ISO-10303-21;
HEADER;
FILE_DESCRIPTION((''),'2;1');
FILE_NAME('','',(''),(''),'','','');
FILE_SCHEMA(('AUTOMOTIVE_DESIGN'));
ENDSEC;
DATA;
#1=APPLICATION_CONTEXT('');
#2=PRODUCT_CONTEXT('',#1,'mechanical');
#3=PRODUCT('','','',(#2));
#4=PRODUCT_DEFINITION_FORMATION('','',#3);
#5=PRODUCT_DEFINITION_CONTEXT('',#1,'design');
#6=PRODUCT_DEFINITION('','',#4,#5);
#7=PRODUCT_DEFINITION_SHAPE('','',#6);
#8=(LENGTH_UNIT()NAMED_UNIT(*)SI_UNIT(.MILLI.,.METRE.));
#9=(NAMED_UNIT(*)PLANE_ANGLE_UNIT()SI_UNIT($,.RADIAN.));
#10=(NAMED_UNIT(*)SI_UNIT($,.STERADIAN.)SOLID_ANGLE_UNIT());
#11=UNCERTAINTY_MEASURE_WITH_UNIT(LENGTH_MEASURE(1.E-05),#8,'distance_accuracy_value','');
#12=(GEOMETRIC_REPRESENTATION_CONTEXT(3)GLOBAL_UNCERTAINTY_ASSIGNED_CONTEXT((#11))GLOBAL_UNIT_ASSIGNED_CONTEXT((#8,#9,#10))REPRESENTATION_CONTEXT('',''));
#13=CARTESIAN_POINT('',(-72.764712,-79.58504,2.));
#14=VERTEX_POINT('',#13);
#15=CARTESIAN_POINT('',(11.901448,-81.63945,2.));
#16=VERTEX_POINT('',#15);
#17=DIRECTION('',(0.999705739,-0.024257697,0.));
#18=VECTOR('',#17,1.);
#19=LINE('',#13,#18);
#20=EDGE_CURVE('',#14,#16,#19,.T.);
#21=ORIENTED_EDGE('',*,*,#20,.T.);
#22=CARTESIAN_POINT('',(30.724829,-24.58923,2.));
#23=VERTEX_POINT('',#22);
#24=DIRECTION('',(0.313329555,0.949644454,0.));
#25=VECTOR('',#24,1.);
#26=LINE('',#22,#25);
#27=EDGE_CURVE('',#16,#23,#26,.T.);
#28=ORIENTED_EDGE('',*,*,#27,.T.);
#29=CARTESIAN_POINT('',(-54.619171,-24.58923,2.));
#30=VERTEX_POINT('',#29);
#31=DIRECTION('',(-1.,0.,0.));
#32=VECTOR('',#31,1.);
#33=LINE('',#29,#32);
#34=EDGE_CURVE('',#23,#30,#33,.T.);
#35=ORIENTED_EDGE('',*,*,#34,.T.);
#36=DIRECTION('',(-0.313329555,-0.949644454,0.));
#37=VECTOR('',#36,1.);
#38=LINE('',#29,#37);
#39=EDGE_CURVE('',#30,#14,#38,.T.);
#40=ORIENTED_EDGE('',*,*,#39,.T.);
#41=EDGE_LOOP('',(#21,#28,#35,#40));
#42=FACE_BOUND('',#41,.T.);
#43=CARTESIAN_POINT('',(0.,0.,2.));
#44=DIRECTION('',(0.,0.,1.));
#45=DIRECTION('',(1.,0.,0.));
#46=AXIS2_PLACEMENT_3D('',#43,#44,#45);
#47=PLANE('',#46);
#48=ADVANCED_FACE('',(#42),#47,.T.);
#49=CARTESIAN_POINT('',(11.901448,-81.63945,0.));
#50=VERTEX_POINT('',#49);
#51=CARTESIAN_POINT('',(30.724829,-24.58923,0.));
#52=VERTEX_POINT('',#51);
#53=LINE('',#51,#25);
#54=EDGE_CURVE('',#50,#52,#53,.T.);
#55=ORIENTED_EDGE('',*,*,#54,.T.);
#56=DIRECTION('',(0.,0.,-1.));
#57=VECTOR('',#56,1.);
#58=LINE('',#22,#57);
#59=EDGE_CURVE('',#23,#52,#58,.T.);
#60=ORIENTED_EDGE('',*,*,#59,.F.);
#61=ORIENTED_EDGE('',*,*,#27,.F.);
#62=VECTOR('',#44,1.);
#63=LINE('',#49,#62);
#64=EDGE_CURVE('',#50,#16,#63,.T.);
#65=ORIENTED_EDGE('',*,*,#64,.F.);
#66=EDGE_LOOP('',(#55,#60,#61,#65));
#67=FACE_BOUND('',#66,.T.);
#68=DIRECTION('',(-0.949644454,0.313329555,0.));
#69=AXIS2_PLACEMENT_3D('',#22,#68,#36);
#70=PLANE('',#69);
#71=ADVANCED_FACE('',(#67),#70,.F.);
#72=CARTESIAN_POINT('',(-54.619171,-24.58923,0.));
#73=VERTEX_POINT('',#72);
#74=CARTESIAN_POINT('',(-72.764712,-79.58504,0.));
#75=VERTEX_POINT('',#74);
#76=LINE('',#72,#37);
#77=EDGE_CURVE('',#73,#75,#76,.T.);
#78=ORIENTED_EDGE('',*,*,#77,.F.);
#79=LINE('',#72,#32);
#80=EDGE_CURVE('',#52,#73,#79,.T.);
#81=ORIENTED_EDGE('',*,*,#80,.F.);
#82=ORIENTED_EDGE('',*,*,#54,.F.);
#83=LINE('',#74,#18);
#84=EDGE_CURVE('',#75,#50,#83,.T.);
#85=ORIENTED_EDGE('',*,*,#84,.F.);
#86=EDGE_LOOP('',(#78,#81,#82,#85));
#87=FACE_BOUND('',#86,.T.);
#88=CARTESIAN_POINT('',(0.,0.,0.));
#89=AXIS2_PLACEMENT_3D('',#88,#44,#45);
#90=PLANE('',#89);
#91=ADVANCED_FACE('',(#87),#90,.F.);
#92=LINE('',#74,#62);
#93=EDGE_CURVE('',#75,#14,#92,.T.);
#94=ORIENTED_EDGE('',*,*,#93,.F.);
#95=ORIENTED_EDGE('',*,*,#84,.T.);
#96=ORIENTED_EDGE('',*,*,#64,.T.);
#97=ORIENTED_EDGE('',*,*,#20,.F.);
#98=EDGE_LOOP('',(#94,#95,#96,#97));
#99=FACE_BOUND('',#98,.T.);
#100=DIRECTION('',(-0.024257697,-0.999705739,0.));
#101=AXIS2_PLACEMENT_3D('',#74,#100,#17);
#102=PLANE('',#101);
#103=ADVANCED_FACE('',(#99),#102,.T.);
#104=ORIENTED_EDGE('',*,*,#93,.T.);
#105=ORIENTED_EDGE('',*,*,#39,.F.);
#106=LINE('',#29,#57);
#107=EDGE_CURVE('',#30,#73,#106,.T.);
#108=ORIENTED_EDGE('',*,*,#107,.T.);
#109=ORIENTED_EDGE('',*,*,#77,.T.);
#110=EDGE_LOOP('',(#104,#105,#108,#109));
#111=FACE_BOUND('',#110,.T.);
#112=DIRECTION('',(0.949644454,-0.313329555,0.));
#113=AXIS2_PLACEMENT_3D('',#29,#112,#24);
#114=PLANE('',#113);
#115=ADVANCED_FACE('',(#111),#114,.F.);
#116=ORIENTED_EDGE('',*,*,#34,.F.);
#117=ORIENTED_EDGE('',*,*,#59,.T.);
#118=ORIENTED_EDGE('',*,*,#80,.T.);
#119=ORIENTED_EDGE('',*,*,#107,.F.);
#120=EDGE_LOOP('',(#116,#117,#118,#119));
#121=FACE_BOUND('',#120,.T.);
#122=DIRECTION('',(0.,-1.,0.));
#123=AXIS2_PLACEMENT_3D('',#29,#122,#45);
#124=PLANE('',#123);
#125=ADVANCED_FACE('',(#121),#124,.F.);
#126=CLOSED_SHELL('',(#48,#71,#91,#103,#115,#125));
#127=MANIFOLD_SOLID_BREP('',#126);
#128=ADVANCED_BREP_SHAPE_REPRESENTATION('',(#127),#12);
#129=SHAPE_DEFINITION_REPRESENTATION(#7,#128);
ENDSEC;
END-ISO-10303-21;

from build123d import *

# Parameters (mm, degrees)
BOSS_EXTRUDE1_DEPTH = 2
BOSS_EXTRUDE2_DEPTH = 2


with BuildPart() as part:
    # Sketch2 → Boss-Extrude1 (new body)
    with BuildSketch(Plane.XY):
        Polygon((-54.61917065, -24.589230235), (30.72482935, -24.589230235), (13.852659447, -75.725684813), (-71.491340553, -75.725684813), align=None)
    extrude(amount=BOSS_EXTRUDE1_DEPTH)

    # Sketch3 → Boss-Extrude2 (add)
    with BuildSketch(Plane.XY.offset(2)):
        Polygon((-72.764711867, -79.585039875), (11.90144755, -81.639450446), (13.852659447, -75.725684813), (-71.491340553, -75.725684813), align=None)
    extrude(amount=-BOSS_EXTRUDE2_DEPTH)


solid = part.part
